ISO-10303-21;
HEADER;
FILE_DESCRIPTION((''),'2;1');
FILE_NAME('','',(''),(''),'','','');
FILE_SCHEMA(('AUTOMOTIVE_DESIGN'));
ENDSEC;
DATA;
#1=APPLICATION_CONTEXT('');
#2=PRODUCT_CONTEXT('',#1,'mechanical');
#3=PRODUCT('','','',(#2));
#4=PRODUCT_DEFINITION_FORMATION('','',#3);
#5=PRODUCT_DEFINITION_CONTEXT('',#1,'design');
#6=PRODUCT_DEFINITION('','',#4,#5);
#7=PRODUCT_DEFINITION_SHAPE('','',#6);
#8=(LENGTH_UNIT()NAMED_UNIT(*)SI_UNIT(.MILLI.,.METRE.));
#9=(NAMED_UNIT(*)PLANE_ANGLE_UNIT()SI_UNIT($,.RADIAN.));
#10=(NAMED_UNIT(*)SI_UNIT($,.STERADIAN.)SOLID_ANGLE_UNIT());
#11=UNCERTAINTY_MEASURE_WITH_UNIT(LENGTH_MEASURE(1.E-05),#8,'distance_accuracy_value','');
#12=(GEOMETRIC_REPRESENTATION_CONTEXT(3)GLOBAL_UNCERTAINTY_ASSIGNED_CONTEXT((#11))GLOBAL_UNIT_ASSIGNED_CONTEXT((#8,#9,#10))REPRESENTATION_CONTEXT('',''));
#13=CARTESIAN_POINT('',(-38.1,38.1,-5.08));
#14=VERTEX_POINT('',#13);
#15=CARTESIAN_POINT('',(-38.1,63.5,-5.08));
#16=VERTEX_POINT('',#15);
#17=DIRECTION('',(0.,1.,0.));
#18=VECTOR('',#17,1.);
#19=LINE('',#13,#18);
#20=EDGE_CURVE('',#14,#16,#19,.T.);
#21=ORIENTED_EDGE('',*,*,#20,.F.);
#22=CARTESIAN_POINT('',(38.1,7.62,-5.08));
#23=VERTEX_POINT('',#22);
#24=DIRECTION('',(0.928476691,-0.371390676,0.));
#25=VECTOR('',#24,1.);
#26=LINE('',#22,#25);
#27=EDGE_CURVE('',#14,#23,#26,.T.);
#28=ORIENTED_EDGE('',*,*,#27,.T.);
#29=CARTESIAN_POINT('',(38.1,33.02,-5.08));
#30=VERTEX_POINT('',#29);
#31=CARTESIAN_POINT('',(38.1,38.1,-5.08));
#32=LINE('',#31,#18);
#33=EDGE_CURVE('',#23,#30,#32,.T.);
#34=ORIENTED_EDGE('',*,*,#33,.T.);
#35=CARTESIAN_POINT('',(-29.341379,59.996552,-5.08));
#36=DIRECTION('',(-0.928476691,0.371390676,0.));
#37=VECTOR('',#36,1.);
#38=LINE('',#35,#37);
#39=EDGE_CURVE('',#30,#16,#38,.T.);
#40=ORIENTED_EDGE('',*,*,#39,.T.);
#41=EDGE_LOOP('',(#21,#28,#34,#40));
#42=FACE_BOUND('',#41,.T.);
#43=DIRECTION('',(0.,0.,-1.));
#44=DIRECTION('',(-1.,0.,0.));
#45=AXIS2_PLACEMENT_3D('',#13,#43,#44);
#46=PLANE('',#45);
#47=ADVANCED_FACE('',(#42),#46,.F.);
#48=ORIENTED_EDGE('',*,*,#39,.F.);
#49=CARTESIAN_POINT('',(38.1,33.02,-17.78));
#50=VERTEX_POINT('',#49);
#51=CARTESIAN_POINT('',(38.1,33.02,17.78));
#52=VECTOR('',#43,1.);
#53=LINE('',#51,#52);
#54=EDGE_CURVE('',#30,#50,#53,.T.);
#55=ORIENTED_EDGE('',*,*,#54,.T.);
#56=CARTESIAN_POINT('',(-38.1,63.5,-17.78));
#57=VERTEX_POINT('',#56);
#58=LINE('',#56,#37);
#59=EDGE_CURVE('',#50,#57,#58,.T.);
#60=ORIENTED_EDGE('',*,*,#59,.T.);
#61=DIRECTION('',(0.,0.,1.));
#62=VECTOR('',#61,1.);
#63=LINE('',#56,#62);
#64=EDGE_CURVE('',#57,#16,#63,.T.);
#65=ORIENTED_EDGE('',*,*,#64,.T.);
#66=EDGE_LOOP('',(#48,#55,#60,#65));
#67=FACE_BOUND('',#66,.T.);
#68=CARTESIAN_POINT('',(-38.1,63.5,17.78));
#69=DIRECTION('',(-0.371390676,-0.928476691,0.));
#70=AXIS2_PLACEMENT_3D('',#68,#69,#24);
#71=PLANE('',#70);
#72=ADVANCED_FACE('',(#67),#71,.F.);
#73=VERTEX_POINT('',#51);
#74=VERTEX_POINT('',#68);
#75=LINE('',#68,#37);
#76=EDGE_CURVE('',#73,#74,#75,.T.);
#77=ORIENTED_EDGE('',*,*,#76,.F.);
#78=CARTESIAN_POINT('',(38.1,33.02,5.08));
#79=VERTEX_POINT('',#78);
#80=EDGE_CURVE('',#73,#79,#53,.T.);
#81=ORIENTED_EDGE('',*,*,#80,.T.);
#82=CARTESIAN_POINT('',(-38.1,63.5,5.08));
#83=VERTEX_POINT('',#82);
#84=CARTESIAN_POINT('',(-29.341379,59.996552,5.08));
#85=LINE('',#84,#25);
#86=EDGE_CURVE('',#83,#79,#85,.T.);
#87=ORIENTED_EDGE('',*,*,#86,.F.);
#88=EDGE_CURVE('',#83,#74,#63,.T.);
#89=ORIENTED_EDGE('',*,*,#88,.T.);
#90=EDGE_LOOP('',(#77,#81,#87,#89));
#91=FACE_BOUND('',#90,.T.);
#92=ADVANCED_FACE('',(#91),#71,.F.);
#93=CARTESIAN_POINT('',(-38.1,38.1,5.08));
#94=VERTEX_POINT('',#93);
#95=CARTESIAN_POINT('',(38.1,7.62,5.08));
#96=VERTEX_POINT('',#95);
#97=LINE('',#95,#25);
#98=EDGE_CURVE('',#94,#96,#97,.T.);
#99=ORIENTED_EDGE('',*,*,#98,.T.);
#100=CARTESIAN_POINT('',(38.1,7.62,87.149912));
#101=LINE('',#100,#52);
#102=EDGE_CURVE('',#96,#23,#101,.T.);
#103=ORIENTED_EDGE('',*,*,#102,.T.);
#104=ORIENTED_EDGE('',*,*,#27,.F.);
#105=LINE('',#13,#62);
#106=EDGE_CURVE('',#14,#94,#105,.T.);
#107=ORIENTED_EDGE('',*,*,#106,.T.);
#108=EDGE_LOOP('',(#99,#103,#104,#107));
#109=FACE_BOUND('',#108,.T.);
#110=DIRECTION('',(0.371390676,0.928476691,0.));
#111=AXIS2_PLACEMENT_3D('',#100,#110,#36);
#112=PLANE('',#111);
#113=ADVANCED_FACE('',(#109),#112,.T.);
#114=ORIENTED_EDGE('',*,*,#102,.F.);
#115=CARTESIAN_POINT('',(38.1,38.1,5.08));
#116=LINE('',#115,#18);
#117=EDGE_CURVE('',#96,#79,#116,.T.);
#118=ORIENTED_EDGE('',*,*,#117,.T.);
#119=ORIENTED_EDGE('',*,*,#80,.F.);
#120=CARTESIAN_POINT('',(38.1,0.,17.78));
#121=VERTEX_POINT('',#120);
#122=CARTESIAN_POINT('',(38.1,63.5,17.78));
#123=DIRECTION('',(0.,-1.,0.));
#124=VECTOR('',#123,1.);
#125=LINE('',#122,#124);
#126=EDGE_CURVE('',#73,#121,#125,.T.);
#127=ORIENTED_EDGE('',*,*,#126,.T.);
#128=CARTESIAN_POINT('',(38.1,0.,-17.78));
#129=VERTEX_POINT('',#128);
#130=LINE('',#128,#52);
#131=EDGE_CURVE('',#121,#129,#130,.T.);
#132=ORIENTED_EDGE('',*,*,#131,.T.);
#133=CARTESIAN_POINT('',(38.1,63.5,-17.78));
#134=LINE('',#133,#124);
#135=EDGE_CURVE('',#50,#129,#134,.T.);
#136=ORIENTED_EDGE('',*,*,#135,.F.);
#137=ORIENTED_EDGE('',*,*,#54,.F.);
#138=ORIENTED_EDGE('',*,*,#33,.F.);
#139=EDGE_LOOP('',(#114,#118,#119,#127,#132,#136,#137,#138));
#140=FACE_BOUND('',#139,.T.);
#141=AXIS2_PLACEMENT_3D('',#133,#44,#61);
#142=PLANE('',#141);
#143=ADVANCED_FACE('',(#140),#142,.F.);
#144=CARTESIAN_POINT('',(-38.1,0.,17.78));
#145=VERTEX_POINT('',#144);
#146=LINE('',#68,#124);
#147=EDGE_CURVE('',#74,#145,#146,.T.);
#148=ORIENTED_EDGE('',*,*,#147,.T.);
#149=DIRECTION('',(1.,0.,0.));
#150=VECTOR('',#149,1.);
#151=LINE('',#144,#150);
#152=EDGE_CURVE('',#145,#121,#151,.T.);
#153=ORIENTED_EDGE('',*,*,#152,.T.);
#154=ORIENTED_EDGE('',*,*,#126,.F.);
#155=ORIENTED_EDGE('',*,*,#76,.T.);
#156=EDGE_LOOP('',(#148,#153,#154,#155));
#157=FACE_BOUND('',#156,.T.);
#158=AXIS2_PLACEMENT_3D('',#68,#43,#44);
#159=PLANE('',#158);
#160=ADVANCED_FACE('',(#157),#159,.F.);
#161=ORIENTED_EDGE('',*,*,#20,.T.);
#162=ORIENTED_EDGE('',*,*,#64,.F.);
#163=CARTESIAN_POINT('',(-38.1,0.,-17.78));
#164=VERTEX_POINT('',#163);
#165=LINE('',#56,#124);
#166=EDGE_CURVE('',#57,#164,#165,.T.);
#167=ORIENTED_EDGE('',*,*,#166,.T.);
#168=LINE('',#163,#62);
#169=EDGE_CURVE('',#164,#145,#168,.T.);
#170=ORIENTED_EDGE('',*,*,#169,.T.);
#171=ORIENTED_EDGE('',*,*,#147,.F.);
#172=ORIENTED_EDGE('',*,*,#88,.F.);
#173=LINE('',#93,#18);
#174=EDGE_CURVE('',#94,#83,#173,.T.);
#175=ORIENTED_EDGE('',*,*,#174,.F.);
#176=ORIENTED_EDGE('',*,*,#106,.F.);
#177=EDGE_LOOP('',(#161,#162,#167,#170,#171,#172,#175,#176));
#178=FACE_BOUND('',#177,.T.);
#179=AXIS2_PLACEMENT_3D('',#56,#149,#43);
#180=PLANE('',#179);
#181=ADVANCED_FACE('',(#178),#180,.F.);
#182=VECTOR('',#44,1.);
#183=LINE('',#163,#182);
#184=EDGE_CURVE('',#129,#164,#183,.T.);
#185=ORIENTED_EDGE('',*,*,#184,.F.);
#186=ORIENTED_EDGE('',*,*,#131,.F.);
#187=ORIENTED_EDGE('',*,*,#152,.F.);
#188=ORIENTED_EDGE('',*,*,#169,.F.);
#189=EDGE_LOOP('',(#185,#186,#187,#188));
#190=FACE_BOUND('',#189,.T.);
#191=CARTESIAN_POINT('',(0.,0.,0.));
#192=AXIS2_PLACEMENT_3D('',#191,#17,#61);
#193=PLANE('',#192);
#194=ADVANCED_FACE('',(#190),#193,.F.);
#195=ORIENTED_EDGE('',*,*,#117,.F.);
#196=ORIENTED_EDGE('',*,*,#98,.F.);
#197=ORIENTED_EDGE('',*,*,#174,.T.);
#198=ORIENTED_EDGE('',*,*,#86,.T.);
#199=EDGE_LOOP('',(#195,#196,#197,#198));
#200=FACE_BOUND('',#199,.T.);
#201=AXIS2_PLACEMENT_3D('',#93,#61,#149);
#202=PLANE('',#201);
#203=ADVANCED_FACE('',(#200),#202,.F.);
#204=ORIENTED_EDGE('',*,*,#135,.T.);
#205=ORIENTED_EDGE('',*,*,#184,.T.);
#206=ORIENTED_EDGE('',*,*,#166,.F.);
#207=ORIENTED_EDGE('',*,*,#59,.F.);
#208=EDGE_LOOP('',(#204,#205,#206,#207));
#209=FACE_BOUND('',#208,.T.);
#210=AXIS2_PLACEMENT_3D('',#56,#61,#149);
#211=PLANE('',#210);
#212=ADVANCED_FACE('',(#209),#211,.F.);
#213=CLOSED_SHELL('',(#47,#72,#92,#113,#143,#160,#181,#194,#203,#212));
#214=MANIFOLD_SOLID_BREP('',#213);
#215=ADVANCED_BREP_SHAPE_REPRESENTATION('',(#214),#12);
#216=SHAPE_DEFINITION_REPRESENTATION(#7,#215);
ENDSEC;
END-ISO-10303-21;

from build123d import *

# Parameters (mm, degrees)
SKETCH1_W               = 76.2
SKETCH1_H               = 35.56
BOSS_EXTRUDE1_DEPTH     = 63.5
SKETCH2_W               = 76.2
SKETCH2_H               = 10.16
CUT_EXTRUDE1_DEPTH      = 25.4
CUT_EXTRUDE2_DEPTH      = 10.16
CUT_EXTRUDE3_DEPTH      = 78.501223216
CUT_EXTRUDE3_DEPTH_BACK = 78.501223216


with BuildPart() as part:
    # Sketch1 → Boss-Extrude1 (new body)
    with BuildSketch(Plane(origin=(0, 0, 0), x_dir=(1, 0, 0), z_dir=(0, 1, 0))):
        Rectangle(SKETCH1_W, SKETCH1_H)
    extrude(amount=BOSS_EXTRUDE1_DEPTH)

    # Sketch2 → Cut-Extrude1 (cut)
    with BuildSketch(Plane(origin=(0, 63.5, 0), x_dir=(1, 0, 0), z_dir=(0, 1, 0))):
        Rectangle(SKETCH2_W, SKETCH2_H)
    extrude(amount=-CUT_EXTRUDE1_DEPTH, mode=Mode.SUBTRACT)

    # Sketch3 → Cut-Extrude2 (cut)
    with BuildSketch(Plane.XY.offset(-5.08)):
        Polygon((38.1, 7.62), (38.1, 38.1), (-38.1, 38.1), align=None)
    extrude(amount=CUT_EXTRUDE2_DEPTH, mode=Mode.SUBTRACT)

    # Sketch4 → Cut-Extrude3 (cut, two sides: drawn at the far end of the back side and taken through both)
    with BuildSketch(Plane(origin=(0, 0, 5.08), x_dir=(-1, 0, 0), z_dir=(0, 0, -1)).offset(-CUT_EXTRUDE3_DEPTH_BACK)):
        Polygon((38.1, 63.5), (-38.1, 33.02), (-38.1, 63.5), align=None)
    extrude(amount=CUT_EXTRUDE3_DEPTH + CUT_EXTRUDE3_DEPTH_BACK, mode=Mode.SUBTRACT)


solid = part.part
